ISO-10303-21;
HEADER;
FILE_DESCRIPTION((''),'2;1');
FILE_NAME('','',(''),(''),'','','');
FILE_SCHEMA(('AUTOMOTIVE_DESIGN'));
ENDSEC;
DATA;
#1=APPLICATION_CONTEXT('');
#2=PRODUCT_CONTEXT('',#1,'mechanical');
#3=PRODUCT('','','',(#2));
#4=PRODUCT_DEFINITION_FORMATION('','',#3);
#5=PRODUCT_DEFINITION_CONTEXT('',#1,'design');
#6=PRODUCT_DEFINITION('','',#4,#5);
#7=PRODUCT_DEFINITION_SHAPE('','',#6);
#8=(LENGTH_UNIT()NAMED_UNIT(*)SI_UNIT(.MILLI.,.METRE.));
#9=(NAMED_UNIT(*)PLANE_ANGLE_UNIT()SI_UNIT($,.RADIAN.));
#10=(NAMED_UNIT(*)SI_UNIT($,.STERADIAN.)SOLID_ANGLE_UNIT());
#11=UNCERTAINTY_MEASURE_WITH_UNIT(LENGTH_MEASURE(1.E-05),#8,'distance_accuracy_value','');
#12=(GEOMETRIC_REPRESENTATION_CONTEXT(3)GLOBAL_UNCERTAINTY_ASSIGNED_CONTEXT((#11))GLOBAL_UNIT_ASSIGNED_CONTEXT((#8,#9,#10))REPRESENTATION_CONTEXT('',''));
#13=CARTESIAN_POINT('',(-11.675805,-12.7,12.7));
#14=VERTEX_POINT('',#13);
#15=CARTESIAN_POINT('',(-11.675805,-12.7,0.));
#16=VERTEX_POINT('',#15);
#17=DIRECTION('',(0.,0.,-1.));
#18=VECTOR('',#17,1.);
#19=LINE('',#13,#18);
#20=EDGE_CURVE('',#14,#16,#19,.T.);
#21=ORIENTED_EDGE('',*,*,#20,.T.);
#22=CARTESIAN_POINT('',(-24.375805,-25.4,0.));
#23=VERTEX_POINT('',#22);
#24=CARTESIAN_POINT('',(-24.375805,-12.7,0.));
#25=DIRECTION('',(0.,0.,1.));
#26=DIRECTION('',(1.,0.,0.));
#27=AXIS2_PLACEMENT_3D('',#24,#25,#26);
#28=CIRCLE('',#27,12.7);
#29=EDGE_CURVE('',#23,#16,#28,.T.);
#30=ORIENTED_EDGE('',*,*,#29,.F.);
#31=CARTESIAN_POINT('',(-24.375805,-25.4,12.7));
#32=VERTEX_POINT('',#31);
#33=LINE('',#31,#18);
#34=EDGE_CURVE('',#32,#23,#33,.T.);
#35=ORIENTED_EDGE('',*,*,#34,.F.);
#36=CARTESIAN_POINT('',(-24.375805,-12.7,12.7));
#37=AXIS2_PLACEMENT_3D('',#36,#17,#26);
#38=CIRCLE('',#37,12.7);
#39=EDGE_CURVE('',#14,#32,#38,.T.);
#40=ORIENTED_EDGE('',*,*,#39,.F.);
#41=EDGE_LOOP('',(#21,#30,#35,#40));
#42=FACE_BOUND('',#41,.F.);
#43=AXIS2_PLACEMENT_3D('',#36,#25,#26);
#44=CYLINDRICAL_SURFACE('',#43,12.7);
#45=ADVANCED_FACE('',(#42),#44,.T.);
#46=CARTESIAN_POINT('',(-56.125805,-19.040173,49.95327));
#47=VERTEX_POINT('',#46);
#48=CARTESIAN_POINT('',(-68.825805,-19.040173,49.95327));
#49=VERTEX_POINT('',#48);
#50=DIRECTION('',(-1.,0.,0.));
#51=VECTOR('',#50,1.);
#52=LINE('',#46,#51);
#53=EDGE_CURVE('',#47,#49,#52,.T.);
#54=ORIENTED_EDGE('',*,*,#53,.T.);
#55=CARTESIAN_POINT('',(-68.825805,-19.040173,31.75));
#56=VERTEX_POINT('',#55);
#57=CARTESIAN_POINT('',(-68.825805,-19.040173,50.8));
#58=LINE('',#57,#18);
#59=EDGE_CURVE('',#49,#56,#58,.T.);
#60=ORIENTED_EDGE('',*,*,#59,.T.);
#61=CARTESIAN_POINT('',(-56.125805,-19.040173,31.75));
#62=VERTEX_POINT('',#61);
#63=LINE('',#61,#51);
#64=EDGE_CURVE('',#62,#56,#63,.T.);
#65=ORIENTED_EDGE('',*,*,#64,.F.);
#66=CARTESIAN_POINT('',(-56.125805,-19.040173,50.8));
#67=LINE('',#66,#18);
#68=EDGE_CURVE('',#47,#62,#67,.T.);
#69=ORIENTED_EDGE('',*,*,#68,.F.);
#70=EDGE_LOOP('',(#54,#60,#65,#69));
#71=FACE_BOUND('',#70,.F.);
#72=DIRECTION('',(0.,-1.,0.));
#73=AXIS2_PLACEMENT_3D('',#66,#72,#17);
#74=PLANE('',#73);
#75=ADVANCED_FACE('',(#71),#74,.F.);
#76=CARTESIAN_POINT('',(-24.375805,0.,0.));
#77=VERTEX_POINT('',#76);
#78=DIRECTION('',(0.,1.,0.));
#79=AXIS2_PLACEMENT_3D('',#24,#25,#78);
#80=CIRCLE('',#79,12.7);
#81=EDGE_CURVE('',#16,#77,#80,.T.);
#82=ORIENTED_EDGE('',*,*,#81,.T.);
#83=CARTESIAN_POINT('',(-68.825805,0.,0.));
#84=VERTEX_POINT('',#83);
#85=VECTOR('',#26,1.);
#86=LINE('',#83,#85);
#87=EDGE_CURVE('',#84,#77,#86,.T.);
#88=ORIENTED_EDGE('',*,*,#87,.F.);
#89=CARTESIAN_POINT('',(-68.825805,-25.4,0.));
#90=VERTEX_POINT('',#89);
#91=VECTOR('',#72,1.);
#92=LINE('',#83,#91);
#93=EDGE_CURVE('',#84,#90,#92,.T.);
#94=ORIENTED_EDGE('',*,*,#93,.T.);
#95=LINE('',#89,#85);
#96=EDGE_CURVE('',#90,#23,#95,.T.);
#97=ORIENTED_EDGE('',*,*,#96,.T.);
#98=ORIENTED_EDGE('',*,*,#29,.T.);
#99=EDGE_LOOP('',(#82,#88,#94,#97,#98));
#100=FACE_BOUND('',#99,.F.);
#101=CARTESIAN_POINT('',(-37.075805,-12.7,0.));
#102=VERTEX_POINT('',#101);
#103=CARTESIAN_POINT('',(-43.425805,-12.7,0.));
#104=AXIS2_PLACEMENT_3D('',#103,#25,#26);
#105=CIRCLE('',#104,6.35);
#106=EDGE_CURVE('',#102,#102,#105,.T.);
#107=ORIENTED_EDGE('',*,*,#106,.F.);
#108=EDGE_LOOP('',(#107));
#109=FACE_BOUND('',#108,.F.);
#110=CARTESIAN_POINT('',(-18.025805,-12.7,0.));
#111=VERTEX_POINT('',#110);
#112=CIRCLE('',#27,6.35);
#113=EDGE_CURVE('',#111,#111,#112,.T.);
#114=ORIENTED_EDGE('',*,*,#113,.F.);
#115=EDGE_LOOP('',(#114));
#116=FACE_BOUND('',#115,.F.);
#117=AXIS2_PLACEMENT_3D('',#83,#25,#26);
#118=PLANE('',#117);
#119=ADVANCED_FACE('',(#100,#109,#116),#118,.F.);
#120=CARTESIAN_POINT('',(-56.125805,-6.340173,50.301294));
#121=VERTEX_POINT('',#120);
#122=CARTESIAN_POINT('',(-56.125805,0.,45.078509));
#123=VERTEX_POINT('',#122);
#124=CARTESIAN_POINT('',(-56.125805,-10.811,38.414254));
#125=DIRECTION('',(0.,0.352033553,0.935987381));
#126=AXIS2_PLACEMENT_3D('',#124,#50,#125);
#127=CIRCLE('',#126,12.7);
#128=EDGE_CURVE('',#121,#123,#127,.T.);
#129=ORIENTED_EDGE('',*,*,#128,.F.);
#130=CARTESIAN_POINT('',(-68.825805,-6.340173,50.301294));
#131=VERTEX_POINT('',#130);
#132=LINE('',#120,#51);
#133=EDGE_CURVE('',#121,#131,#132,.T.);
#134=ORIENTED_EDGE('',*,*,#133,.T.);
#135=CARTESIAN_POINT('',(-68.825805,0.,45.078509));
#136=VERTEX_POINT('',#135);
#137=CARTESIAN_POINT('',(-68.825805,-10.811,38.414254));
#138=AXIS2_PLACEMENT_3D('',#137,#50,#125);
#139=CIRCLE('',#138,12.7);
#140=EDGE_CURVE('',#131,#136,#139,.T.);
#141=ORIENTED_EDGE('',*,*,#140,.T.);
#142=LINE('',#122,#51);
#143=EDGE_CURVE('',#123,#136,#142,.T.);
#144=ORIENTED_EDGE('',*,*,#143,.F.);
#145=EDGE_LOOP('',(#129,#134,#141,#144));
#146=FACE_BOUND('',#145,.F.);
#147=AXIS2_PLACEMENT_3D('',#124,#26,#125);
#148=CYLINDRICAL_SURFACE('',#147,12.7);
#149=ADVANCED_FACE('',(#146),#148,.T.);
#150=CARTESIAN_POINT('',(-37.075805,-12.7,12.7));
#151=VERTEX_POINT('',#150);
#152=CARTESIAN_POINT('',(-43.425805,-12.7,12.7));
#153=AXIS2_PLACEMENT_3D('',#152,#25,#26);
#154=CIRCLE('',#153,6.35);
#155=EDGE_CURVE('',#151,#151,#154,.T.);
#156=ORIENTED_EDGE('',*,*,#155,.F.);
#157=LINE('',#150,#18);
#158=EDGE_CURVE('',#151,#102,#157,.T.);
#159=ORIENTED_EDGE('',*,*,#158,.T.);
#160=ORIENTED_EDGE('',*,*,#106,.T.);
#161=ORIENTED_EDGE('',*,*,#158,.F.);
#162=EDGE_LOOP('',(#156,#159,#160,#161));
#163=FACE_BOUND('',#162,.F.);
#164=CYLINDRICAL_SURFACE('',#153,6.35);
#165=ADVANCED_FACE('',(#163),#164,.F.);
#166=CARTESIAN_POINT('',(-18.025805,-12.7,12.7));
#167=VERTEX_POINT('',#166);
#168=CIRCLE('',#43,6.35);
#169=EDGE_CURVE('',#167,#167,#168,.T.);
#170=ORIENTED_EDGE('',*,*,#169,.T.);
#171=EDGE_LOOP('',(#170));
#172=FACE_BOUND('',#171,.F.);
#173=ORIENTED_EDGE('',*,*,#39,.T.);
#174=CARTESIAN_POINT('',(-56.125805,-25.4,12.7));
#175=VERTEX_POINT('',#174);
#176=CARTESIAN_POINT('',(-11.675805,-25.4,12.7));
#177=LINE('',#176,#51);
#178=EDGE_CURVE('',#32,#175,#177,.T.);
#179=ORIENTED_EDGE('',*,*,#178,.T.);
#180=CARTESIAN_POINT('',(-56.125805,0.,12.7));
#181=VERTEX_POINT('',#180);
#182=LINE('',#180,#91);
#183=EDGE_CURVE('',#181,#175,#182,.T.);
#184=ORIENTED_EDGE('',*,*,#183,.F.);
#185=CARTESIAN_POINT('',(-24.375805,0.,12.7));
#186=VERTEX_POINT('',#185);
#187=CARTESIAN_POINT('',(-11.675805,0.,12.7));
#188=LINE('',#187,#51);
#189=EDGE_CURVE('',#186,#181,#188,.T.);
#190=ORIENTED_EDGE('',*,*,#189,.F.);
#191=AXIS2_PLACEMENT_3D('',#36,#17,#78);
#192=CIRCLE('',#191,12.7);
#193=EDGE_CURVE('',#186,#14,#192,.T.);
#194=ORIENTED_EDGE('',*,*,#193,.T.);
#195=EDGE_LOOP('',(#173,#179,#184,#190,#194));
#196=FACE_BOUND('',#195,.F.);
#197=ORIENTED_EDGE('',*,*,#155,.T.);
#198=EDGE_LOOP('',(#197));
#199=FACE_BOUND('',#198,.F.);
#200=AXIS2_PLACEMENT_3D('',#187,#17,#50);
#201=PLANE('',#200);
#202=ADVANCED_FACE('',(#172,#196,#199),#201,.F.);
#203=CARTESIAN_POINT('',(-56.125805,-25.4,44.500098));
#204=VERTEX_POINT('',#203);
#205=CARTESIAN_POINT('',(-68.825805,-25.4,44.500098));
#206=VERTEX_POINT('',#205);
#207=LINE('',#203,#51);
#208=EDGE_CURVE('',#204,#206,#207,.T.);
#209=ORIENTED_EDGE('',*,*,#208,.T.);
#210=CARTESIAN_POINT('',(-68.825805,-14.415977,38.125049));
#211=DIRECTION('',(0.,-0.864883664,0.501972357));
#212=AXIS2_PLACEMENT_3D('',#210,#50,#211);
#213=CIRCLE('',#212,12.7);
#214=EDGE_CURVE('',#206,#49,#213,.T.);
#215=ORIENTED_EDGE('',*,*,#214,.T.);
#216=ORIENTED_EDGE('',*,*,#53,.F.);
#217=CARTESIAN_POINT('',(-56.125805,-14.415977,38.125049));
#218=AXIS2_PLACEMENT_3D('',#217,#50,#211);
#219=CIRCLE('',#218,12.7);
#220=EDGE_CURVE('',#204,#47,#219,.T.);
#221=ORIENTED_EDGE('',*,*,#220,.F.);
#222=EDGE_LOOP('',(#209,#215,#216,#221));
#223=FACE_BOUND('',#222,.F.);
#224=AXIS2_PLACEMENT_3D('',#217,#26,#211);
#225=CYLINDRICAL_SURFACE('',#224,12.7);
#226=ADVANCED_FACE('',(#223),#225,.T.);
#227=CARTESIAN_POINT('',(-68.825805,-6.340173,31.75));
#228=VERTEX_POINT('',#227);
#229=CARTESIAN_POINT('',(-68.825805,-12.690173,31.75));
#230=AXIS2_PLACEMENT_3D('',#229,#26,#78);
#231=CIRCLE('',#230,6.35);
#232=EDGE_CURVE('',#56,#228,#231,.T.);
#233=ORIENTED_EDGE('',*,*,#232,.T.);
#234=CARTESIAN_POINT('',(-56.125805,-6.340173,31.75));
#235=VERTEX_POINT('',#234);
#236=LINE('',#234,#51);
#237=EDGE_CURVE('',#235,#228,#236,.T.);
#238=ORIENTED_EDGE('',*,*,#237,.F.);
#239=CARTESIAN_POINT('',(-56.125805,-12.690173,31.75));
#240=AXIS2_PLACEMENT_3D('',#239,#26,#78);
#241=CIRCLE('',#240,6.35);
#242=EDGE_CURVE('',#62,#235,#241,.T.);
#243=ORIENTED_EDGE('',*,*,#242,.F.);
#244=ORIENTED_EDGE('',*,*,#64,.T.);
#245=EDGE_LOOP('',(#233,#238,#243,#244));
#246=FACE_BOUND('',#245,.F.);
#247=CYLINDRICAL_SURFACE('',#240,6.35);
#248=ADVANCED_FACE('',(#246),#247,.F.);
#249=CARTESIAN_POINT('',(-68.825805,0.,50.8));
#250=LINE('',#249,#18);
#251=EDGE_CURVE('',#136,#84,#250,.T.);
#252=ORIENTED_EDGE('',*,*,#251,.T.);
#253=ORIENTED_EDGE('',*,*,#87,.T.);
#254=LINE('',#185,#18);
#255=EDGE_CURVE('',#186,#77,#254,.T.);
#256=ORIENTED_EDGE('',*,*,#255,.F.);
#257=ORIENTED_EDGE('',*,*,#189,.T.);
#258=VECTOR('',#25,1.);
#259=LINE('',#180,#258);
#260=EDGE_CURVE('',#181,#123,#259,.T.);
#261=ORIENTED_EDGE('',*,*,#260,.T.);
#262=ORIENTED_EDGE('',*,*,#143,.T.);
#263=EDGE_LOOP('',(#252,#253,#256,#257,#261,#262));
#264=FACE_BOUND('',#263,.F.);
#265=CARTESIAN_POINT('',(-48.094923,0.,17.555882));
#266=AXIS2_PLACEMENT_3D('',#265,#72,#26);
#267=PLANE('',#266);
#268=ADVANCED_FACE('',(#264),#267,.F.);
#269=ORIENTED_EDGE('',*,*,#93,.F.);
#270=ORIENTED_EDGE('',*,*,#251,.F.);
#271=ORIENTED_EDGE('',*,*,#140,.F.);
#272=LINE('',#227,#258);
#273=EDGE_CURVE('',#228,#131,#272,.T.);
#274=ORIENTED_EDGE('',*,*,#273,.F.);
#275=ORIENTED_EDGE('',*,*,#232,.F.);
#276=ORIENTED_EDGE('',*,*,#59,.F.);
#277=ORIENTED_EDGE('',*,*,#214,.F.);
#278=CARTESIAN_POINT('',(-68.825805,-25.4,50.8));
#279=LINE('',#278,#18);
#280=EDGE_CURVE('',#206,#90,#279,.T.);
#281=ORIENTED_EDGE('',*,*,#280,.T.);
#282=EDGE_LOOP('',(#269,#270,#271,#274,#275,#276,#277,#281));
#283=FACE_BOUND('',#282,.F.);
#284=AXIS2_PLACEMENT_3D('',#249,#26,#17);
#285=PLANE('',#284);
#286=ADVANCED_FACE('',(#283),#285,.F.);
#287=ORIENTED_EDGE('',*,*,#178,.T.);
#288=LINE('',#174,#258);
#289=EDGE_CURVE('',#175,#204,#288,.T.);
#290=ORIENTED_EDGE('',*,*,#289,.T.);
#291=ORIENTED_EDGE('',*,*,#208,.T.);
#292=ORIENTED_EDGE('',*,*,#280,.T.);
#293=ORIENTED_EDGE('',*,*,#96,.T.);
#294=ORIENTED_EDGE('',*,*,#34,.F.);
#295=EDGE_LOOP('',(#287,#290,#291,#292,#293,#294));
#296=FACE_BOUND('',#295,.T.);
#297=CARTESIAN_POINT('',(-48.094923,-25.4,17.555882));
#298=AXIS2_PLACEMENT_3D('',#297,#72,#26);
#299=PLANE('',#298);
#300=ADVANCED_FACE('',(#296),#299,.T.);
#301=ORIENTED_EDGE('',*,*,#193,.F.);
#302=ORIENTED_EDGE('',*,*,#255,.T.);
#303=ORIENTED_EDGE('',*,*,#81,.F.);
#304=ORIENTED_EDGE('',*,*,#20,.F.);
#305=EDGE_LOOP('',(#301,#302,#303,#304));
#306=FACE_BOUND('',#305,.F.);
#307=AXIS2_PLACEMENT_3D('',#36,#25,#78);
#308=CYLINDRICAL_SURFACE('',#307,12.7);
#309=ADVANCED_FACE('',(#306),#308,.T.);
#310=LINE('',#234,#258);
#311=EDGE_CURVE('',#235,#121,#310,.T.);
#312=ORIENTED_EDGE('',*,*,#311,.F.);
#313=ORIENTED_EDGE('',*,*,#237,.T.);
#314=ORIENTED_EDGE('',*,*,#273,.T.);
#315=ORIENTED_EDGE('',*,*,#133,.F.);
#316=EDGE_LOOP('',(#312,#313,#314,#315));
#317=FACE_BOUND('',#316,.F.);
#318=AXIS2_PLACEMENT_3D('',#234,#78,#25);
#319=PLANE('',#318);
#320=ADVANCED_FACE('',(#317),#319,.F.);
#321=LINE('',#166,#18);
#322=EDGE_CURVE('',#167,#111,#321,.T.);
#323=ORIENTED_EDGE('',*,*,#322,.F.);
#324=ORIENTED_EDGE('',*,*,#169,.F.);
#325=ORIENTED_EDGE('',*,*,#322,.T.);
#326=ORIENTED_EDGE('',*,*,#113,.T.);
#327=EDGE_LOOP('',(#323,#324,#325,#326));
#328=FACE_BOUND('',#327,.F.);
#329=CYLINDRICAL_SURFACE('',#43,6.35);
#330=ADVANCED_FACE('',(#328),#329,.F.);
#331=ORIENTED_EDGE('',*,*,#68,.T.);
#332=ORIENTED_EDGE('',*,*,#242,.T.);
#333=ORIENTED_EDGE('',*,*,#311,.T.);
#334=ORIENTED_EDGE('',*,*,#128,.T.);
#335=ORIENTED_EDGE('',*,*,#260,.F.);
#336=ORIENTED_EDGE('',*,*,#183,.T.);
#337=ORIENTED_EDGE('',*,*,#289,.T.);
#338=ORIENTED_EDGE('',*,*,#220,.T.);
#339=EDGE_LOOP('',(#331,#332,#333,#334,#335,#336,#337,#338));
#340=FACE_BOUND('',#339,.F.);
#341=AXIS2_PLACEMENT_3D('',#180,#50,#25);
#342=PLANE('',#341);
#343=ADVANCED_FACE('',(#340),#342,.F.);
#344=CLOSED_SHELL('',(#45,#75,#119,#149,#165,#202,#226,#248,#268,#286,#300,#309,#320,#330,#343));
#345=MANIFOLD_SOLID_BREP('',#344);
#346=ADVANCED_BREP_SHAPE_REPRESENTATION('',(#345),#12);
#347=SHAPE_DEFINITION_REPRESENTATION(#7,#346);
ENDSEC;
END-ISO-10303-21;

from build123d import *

# Parameters (mm, degrees)
F1_DEPTH = 25.4
F2_R     = 6.35
F3_DEPTH = 12.7
F5_DEPTH = 25.4
F7_DEPTH = 12.7
F9_DEPTH = 12.7


with BuildPart() as f1:
    # F0 (on Front) → F1 (new body)
    with BuildSketch(Plane.XZ):
        Polygon((-56.1258053064, 50.8), (-68.8258053064, 50.8), (-68.8258053064, 0), (-11.6758053064, 0), (-11.6758053064, 12.7), (-56.1258053064, 12.7), align=None)
    extrude(amount=F1_DEPTH)

    # F2 (on face) → F3 (cut)
    with BuildSketch(Plane.XY.offset(12.7)):
        with Locations((-43.4258053064, -12.7)):
            Circle(F2_R)
        with Locations((-24.3758053064, -12.7)):
            Circle(F2_R)
    extrude(amount=-F3_DEPTH, mode=Mode.SUBTRACT)

    # F4 (on face) → F5 (cut)
    with BuildSketch(Plane.XY.offset(12.7)):
        with BuildLine():
            ThreePointArc((-24.3758053064, 0), (-15.3955491853, -3.7197438789), (-11.6758053064, -12.7))
            Line((-11.6758053064, -12.7), (-11.6758053064, 0))
            Line((-11.6758053064, 0), (-24.3758053064, 0))
        make_face()
        with BuildLine():
            Line((-11.6758053064, -25.4), (-11.6758053064, -12.7))
            ThreePointArc((-11.6758053064, -12.7), (-15.3955491853, -21.6802561211), (-24.3758053064, -25.4))
            Line((-24.3758053064, -25.4), (-11.6758053064, -25.4))
        make_face()
    extrude(amount=-F5_DEPTH, mode=Mode.SUBTRACT)

    # F6 (on face) → F7 (cut)
    with BuildSketch(Plane.YZ.offset(-56.1258053064)):
        with BuildLine():
            ThreePointArc((-19.040173462, 31.75), (-12.690173462, 38.1), (-6.340173462, 31.75))
            Line((-6.340173462, 31.75), (-6.340173462, 50.8))
            Line((-6.340173462, 50.8), (-19.040173462, 50.8))
            Line((-19.040173462, 50.8), (-19.040173462, 31.75))
        make_face()
        with BuildLine():
            ThreePointArc((-19.040173462, 31.75), (-12.690173462, 25.4), (-6.340173462, 31.75))
            ThreePointArc((-6.340173462, 31.75), (-12.690173462, 38.1), (-19.040173462, 31.75))
        make_face()
    extrude(amount=-F7_DEPTH, mode=Mode.SUBTRACT)

    # F8 (on face) → F9 (cut)
    with BuildSketch(Plane.YZ.offset(-56.1258053064)):
        with BuildLine():
            ThreePointArc((-25.4, 44.5000978606), (-22.682681328, 47.7661903137), (-19.040173462, 49.9532699015))
            Line((-19.040173462, 49.9532699015), (-19.040173462, 50.8))
            Line((-19.040173462, 50.8), (-25.4, 50.8))
            Line((-25.4, 50.8), (-25.4, 44.5000978606))
        make_face()
        with BuildLine():
            Line((-6.340173462, 50.8), (-6.340173462, 50.3012942354))
            ThreePointArc((-6.340173462, 50.3012942354), (-2.7361670375, 48.2166562079), (0, 45.0785089908))
            Line((0, 45.0785089908), (0, 50.8))
            Line((0, 50.8), (-6.340173462, 50.8))
        make_face()
    extrude(amount=-F9_DEPTH, mode=Mode.SUBTRACT)


solid = f1.part
